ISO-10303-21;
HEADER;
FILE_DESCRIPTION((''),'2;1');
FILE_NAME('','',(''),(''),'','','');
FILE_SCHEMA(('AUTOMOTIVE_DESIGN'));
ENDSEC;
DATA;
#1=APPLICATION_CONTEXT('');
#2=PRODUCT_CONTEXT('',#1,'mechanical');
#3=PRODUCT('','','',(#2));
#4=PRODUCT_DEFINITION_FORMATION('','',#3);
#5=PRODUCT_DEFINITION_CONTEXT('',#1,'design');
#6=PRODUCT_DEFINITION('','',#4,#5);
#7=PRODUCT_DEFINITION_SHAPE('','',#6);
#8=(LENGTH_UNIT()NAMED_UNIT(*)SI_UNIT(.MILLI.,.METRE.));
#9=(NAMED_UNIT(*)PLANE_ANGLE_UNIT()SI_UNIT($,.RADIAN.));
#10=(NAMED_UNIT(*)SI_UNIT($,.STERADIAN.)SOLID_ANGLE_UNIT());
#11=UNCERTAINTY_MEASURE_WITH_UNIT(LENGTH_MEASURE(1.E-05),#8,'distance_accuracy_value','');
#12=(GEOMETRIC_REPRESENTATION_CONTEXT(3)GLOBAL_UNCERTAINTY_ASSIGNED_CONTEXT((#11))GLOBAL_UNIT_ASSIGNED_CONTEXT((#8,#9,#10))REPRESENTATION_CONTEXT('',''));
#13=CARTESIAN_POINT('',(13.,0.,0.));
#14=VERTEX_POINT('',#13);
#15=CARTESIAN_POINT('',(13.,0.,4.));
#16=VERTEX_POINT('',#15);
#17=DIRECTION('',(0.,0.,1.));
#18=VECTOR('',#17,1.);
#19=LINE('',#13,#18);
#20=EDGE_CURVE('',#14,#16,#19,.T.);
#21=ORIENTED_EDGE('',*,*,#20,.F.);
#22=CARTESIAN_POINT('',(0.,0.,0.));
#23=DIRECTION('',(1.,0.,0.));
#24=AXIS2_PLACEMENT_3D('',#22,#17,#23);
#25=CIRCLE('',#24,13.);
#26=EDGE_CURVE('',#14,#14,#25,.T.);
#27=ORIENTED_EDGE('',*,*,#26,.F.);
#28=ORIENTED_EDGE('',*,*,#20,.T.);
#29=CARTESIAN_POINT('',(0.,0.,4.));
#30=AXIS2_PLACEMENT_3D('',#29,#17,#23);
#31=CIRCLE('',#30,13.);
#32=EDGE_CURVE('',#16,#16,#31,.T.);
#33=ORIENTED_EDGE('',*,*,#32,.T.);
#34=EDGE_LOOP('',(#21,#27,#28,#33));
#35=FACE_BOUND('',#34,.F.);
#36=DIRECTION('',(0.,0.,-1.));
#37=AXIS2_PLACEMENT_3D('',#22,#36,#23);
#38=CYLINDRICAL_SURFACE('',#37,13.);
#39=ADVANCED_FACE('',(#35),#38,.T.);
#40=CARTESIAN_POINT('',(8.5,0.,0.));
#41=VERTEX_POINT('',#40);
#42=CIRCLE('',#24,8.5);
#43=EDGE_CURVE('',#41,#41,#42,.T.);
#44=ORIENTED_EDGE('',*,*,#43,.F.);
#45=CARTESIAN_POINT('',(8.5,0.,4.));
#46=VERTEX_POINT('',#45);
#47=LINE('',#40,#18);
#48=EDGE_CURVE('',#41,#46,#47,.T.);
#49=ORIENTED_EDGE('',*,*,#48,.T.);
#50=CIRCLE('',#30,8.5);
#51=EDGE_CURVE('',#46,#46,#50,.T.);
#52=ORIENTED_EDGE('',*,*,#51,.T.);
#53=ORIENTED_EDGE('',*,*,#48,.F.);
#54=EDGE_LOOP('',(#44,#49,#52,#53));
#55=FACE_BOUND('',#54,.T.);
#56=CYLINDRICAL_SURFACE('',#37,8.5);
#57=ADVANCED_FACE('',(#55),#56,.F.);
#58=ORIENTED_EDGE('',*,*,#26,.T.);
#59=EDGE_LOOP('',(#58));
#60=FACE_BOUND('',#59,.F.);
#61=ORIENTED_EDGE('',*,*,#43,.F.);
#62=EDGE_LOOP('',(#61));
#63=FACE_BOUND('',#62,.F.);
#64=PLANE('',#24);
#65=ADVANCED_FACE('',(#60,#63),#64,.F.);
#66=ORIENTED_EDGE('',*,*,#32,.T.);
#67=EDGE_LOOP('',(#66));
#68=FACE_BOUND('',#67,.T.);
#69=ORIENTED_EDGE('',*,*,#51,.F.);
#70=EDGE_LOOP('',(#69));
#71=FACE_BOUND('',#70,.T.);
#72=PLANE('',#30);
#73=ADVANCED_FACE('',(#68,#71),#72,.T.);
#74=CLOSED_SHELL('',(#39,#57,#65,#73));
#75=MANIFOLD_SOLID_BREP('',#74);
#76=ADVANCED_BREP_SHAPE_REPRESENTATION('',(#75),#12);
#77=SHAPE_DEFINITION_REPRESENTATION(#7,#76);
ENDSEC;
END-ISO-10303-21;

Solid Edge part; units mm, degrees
sketch "Sketch1" plane through (0, 0, 0) normal (0, 0, 1) x (1, 0, 0)
  circle A0 centre (0, 0) radius 13
  circle A1 centre (0, 0) radius 8.5
  dimension "D1" = 26
  dimension "D2" = 17
extrude "Protrusion1" add sketch "Sketch1" along normal blind 4
